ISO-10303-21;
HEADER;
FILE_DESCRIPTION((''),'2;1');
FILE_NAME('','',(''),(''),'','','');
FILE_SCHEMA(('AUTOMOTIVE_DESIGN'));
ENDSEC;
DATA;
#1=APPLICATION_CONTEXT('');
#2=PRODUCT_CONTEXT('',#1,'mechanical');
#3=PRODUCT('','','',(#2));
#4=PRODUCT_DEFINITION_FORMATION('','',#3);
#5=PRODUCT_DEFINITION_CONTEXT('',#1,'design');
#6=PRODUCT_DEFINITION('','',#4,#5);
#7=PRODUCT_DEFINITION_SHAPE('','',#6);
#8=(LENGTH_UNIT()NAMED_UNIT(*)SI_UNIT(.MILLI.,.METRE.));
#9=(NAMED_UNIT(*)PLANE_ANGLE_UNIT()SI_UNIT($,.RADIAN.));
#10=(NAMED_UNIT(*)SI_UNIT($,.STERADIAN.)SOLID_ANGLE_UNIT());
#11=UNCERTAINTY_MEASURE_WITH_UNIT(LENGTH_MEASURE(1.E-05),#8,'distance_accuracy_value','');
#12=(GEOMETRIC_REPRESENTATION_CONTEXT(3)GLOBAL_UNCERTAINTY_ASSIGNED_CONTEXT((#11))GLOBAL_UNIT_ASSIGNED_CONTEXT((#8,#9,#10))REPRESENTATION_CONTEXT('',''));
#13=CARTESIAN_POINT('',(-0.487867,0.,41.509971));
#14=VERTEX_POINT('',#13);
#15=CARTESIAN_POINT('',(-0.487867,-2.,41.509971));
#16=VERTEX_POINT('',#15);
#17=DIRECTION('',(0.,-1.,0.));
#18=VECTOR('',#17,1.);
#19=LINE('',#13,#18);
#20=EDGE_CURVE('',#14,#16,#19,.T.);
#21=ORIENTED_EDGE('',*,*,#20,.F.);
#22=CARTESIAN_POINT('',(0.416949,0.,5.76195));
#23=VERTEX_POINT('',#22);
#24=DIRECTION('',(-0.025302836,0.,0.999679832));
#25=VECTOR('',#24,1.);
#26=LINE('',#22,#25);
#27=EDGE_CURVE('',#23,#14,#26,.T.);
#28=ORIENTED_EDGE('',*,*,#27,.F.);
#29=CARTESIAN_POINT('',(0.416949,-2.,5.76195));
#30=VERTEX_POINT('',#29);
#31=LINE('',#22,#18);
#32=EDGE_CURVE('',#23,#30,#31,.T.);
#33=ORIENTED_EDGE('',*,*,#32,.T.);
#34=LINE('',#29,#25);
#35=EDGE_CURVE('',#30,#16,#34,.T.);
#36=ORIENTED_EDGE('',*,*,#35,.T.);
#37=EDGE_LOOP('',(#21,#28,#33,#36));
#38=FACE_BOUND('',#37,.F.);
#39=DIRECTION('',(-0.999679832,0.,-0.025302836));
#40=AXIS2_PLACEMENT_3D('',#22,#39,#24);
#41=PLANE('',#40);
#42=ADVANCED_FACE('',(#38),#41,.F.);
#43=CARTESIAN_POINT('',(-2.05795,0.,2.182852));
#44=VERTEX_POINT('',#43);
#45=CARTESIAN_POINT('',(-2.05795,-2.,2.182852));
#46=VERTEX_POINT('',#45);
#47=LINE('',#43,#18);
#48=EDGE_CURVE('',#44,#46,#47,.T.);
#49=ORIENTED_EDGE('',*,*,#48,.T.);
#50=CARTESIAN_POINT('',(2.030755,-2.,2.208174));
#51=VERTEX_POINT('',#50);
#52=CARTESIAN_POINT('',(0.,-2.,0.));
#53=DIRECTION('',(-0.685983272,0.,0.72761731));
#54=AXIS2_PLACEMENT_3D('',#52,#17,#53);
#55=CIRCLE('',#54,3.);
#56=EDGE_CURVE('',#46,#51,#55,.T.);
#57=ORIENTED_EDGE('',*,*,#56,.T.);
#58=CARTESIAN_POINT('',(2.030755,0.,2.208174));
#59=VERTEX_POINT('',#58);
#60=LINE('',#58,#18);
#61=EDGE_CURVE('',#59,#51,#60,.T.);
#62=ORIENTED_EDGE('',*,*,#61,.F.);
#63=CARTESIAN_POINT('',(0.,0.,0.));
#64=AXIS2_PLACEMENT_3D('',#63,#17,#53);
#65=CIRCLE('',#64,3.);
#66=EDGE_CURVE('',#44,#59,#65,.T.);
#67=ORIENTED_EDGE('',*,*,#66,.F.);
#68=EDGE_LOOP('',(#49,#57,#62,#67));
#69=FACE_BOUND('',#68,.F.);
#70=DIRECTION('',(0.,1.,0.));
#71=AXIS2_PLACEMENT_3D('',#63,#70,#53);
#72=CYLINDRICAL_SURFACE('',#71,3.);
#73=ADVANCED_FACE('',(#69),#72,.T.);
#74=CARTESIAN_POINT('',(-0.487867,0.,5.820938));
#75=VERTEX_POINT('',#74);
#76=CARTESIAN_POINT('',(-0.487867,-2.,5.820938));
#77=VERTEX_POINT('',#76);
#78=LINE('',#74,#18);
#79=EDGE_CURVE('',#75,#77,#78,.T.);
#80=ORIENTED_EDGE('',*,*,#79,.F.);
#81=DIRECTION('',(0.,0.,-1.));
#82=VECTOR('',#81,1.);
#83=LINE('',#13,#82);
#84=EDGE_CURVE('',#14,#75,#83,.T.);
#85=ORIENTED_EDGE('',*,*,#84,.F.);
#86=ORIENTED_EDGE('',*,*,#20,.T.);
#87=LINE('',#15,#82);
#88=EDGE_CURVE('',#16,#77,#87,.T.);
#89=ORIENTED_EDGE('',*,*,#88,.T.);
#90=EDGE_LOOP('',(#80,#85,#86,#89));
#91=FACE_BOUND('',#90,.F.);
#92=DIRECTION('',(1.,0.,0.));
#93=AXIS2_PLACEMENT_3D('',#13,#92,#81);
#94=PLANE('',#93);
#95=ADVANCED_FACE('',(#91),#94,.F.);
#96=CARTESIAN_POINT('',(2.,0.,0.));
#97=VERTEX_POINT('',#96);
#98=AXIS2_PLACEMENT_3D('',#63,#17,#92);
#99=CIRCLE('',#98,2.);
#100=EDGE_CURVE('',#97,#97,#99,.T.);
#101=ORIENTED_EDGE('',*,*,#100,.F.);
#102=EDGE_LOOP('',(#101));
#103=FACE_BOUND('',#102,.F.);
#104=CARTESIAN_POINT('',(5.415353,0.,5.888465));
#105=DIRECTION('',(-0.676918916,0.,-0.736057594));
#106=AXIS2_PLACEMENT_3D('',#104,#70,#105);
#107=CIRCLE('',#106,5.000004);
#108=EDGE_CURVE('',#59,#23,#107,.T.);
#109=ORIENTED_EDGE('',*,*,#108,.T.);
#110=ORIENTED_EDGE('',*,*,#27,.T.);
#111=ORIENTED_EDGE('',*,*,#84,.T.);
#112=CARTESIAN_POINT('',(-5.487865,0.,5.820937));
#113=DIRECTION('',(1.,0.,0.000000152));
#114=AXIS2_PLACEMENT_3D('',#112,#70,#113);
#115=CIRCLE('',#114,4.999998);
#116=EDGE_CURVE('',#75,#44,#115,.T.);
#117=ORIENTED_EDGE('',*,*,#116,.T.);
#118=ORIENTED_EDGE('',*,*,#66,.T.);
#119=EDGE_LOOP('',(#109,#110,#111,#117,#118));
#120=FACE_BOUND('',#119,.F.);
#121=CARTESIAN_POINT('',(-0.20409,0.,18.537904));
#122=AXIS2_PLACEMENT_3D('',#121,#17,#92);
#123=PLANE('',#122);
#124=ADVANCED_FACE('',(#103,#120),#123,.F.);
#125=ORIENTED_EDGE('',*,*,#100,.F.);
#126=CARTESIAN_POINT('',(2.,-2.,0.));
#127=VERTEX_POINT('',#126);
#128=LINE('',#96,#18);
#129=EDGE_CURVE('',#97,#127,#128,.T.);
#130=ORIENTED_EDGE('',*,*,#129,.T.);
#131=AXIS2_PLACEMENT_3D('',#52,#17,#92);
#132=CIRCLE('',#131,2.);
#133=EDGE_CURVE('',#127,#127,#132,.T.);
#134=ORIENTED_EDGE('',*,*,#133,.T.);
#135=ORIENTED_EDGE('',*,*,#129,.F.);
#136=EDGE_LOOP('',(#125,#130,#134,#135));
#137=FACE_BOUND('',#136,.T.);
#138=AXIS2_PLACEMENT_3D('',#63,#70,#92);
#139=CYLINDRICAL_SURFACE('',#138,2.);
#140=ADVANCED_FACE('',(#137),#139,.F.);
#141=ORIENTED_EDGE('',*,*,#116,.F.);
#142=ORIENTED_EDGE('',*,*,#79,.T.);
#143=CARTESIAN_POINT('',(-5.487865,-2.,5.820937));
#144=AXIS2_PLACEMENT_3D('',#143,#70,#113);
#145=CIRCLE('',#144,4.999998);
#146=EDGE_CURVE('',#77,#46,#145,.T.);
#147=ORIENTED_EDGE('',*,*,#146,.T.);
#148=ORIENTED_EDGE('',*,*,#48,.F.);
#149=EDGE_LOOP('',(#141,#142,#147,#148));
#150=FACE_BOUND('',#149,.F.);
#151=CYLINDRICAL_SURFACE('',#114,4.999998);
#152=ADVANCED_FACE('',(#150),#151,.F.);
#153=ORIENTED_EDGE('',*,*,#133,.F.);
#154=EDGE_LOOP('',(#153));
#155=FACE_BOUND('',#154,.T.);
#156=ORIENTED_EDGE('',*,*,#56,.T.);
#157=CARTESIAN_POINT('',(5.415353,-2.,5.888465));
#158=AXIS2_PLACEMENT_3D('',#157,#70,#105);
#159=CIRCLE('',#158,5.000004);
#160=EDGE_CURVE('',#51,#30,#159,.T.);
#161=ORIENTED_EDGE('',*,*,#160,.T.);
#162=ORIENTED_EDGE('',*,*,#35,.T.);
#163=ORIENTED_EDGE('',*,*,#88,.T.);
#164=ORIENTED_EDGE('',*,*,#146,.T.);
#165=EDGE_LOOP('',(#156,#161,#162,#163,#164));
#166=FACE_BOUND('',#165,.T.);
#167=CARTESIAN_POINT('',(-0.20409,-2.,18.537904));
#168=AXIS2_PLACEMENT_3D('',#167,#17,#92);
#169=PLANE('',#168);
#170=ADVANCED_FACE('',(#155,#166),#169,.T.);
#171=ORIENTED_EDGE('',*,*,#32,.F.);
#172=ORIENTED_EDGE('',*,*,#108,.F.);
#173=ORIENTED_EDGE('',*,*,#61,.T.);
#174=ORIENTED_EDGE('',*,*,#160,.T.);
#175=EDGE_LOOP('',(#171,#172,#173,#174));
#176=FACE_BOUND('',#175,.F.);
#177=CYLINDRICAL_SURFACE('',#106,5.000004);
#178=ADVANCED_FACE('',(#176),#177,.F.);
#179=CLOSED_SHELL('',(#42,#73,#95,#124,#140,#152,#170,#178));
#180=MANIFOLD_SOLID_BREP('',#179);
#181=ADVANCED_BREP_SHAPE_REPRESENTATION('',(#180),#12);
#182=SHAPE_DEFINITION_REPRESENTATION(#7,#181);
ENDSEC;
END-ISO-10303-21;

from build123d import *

# Parameters (mm, degrees)
F0_R     = 2
F1_DEPTH = 2


with BuildPart() as f1:
    # F0 (on Front) → F1 (new body)
    with BuildSketch(Plane.XZ):
        with BuildLine():
            ThreePointArc((-0.487867, 5.820938), (-0.897138, 3.839724), (-2.05795, 2.182852))
            ThreePointArc((-2.05795, 2.182852), (0.018579, -2.999942), (2.030755, 2.208174))
            ThreePointArc((2.030755, 2.208174), (0.86277, 3.821091), (0.416949, 5.76195))
            Line((0.416949, 5.76195), (-0.487867, 41.509971))
            Line((-0.487867, 41.509971), (-0.487867, 5.820938))
        make_face()
        Circle(F0_R, mode=Mode.SUBTRACT)
    extrude(amount=F1_DEPTH)


solid = f1.part
